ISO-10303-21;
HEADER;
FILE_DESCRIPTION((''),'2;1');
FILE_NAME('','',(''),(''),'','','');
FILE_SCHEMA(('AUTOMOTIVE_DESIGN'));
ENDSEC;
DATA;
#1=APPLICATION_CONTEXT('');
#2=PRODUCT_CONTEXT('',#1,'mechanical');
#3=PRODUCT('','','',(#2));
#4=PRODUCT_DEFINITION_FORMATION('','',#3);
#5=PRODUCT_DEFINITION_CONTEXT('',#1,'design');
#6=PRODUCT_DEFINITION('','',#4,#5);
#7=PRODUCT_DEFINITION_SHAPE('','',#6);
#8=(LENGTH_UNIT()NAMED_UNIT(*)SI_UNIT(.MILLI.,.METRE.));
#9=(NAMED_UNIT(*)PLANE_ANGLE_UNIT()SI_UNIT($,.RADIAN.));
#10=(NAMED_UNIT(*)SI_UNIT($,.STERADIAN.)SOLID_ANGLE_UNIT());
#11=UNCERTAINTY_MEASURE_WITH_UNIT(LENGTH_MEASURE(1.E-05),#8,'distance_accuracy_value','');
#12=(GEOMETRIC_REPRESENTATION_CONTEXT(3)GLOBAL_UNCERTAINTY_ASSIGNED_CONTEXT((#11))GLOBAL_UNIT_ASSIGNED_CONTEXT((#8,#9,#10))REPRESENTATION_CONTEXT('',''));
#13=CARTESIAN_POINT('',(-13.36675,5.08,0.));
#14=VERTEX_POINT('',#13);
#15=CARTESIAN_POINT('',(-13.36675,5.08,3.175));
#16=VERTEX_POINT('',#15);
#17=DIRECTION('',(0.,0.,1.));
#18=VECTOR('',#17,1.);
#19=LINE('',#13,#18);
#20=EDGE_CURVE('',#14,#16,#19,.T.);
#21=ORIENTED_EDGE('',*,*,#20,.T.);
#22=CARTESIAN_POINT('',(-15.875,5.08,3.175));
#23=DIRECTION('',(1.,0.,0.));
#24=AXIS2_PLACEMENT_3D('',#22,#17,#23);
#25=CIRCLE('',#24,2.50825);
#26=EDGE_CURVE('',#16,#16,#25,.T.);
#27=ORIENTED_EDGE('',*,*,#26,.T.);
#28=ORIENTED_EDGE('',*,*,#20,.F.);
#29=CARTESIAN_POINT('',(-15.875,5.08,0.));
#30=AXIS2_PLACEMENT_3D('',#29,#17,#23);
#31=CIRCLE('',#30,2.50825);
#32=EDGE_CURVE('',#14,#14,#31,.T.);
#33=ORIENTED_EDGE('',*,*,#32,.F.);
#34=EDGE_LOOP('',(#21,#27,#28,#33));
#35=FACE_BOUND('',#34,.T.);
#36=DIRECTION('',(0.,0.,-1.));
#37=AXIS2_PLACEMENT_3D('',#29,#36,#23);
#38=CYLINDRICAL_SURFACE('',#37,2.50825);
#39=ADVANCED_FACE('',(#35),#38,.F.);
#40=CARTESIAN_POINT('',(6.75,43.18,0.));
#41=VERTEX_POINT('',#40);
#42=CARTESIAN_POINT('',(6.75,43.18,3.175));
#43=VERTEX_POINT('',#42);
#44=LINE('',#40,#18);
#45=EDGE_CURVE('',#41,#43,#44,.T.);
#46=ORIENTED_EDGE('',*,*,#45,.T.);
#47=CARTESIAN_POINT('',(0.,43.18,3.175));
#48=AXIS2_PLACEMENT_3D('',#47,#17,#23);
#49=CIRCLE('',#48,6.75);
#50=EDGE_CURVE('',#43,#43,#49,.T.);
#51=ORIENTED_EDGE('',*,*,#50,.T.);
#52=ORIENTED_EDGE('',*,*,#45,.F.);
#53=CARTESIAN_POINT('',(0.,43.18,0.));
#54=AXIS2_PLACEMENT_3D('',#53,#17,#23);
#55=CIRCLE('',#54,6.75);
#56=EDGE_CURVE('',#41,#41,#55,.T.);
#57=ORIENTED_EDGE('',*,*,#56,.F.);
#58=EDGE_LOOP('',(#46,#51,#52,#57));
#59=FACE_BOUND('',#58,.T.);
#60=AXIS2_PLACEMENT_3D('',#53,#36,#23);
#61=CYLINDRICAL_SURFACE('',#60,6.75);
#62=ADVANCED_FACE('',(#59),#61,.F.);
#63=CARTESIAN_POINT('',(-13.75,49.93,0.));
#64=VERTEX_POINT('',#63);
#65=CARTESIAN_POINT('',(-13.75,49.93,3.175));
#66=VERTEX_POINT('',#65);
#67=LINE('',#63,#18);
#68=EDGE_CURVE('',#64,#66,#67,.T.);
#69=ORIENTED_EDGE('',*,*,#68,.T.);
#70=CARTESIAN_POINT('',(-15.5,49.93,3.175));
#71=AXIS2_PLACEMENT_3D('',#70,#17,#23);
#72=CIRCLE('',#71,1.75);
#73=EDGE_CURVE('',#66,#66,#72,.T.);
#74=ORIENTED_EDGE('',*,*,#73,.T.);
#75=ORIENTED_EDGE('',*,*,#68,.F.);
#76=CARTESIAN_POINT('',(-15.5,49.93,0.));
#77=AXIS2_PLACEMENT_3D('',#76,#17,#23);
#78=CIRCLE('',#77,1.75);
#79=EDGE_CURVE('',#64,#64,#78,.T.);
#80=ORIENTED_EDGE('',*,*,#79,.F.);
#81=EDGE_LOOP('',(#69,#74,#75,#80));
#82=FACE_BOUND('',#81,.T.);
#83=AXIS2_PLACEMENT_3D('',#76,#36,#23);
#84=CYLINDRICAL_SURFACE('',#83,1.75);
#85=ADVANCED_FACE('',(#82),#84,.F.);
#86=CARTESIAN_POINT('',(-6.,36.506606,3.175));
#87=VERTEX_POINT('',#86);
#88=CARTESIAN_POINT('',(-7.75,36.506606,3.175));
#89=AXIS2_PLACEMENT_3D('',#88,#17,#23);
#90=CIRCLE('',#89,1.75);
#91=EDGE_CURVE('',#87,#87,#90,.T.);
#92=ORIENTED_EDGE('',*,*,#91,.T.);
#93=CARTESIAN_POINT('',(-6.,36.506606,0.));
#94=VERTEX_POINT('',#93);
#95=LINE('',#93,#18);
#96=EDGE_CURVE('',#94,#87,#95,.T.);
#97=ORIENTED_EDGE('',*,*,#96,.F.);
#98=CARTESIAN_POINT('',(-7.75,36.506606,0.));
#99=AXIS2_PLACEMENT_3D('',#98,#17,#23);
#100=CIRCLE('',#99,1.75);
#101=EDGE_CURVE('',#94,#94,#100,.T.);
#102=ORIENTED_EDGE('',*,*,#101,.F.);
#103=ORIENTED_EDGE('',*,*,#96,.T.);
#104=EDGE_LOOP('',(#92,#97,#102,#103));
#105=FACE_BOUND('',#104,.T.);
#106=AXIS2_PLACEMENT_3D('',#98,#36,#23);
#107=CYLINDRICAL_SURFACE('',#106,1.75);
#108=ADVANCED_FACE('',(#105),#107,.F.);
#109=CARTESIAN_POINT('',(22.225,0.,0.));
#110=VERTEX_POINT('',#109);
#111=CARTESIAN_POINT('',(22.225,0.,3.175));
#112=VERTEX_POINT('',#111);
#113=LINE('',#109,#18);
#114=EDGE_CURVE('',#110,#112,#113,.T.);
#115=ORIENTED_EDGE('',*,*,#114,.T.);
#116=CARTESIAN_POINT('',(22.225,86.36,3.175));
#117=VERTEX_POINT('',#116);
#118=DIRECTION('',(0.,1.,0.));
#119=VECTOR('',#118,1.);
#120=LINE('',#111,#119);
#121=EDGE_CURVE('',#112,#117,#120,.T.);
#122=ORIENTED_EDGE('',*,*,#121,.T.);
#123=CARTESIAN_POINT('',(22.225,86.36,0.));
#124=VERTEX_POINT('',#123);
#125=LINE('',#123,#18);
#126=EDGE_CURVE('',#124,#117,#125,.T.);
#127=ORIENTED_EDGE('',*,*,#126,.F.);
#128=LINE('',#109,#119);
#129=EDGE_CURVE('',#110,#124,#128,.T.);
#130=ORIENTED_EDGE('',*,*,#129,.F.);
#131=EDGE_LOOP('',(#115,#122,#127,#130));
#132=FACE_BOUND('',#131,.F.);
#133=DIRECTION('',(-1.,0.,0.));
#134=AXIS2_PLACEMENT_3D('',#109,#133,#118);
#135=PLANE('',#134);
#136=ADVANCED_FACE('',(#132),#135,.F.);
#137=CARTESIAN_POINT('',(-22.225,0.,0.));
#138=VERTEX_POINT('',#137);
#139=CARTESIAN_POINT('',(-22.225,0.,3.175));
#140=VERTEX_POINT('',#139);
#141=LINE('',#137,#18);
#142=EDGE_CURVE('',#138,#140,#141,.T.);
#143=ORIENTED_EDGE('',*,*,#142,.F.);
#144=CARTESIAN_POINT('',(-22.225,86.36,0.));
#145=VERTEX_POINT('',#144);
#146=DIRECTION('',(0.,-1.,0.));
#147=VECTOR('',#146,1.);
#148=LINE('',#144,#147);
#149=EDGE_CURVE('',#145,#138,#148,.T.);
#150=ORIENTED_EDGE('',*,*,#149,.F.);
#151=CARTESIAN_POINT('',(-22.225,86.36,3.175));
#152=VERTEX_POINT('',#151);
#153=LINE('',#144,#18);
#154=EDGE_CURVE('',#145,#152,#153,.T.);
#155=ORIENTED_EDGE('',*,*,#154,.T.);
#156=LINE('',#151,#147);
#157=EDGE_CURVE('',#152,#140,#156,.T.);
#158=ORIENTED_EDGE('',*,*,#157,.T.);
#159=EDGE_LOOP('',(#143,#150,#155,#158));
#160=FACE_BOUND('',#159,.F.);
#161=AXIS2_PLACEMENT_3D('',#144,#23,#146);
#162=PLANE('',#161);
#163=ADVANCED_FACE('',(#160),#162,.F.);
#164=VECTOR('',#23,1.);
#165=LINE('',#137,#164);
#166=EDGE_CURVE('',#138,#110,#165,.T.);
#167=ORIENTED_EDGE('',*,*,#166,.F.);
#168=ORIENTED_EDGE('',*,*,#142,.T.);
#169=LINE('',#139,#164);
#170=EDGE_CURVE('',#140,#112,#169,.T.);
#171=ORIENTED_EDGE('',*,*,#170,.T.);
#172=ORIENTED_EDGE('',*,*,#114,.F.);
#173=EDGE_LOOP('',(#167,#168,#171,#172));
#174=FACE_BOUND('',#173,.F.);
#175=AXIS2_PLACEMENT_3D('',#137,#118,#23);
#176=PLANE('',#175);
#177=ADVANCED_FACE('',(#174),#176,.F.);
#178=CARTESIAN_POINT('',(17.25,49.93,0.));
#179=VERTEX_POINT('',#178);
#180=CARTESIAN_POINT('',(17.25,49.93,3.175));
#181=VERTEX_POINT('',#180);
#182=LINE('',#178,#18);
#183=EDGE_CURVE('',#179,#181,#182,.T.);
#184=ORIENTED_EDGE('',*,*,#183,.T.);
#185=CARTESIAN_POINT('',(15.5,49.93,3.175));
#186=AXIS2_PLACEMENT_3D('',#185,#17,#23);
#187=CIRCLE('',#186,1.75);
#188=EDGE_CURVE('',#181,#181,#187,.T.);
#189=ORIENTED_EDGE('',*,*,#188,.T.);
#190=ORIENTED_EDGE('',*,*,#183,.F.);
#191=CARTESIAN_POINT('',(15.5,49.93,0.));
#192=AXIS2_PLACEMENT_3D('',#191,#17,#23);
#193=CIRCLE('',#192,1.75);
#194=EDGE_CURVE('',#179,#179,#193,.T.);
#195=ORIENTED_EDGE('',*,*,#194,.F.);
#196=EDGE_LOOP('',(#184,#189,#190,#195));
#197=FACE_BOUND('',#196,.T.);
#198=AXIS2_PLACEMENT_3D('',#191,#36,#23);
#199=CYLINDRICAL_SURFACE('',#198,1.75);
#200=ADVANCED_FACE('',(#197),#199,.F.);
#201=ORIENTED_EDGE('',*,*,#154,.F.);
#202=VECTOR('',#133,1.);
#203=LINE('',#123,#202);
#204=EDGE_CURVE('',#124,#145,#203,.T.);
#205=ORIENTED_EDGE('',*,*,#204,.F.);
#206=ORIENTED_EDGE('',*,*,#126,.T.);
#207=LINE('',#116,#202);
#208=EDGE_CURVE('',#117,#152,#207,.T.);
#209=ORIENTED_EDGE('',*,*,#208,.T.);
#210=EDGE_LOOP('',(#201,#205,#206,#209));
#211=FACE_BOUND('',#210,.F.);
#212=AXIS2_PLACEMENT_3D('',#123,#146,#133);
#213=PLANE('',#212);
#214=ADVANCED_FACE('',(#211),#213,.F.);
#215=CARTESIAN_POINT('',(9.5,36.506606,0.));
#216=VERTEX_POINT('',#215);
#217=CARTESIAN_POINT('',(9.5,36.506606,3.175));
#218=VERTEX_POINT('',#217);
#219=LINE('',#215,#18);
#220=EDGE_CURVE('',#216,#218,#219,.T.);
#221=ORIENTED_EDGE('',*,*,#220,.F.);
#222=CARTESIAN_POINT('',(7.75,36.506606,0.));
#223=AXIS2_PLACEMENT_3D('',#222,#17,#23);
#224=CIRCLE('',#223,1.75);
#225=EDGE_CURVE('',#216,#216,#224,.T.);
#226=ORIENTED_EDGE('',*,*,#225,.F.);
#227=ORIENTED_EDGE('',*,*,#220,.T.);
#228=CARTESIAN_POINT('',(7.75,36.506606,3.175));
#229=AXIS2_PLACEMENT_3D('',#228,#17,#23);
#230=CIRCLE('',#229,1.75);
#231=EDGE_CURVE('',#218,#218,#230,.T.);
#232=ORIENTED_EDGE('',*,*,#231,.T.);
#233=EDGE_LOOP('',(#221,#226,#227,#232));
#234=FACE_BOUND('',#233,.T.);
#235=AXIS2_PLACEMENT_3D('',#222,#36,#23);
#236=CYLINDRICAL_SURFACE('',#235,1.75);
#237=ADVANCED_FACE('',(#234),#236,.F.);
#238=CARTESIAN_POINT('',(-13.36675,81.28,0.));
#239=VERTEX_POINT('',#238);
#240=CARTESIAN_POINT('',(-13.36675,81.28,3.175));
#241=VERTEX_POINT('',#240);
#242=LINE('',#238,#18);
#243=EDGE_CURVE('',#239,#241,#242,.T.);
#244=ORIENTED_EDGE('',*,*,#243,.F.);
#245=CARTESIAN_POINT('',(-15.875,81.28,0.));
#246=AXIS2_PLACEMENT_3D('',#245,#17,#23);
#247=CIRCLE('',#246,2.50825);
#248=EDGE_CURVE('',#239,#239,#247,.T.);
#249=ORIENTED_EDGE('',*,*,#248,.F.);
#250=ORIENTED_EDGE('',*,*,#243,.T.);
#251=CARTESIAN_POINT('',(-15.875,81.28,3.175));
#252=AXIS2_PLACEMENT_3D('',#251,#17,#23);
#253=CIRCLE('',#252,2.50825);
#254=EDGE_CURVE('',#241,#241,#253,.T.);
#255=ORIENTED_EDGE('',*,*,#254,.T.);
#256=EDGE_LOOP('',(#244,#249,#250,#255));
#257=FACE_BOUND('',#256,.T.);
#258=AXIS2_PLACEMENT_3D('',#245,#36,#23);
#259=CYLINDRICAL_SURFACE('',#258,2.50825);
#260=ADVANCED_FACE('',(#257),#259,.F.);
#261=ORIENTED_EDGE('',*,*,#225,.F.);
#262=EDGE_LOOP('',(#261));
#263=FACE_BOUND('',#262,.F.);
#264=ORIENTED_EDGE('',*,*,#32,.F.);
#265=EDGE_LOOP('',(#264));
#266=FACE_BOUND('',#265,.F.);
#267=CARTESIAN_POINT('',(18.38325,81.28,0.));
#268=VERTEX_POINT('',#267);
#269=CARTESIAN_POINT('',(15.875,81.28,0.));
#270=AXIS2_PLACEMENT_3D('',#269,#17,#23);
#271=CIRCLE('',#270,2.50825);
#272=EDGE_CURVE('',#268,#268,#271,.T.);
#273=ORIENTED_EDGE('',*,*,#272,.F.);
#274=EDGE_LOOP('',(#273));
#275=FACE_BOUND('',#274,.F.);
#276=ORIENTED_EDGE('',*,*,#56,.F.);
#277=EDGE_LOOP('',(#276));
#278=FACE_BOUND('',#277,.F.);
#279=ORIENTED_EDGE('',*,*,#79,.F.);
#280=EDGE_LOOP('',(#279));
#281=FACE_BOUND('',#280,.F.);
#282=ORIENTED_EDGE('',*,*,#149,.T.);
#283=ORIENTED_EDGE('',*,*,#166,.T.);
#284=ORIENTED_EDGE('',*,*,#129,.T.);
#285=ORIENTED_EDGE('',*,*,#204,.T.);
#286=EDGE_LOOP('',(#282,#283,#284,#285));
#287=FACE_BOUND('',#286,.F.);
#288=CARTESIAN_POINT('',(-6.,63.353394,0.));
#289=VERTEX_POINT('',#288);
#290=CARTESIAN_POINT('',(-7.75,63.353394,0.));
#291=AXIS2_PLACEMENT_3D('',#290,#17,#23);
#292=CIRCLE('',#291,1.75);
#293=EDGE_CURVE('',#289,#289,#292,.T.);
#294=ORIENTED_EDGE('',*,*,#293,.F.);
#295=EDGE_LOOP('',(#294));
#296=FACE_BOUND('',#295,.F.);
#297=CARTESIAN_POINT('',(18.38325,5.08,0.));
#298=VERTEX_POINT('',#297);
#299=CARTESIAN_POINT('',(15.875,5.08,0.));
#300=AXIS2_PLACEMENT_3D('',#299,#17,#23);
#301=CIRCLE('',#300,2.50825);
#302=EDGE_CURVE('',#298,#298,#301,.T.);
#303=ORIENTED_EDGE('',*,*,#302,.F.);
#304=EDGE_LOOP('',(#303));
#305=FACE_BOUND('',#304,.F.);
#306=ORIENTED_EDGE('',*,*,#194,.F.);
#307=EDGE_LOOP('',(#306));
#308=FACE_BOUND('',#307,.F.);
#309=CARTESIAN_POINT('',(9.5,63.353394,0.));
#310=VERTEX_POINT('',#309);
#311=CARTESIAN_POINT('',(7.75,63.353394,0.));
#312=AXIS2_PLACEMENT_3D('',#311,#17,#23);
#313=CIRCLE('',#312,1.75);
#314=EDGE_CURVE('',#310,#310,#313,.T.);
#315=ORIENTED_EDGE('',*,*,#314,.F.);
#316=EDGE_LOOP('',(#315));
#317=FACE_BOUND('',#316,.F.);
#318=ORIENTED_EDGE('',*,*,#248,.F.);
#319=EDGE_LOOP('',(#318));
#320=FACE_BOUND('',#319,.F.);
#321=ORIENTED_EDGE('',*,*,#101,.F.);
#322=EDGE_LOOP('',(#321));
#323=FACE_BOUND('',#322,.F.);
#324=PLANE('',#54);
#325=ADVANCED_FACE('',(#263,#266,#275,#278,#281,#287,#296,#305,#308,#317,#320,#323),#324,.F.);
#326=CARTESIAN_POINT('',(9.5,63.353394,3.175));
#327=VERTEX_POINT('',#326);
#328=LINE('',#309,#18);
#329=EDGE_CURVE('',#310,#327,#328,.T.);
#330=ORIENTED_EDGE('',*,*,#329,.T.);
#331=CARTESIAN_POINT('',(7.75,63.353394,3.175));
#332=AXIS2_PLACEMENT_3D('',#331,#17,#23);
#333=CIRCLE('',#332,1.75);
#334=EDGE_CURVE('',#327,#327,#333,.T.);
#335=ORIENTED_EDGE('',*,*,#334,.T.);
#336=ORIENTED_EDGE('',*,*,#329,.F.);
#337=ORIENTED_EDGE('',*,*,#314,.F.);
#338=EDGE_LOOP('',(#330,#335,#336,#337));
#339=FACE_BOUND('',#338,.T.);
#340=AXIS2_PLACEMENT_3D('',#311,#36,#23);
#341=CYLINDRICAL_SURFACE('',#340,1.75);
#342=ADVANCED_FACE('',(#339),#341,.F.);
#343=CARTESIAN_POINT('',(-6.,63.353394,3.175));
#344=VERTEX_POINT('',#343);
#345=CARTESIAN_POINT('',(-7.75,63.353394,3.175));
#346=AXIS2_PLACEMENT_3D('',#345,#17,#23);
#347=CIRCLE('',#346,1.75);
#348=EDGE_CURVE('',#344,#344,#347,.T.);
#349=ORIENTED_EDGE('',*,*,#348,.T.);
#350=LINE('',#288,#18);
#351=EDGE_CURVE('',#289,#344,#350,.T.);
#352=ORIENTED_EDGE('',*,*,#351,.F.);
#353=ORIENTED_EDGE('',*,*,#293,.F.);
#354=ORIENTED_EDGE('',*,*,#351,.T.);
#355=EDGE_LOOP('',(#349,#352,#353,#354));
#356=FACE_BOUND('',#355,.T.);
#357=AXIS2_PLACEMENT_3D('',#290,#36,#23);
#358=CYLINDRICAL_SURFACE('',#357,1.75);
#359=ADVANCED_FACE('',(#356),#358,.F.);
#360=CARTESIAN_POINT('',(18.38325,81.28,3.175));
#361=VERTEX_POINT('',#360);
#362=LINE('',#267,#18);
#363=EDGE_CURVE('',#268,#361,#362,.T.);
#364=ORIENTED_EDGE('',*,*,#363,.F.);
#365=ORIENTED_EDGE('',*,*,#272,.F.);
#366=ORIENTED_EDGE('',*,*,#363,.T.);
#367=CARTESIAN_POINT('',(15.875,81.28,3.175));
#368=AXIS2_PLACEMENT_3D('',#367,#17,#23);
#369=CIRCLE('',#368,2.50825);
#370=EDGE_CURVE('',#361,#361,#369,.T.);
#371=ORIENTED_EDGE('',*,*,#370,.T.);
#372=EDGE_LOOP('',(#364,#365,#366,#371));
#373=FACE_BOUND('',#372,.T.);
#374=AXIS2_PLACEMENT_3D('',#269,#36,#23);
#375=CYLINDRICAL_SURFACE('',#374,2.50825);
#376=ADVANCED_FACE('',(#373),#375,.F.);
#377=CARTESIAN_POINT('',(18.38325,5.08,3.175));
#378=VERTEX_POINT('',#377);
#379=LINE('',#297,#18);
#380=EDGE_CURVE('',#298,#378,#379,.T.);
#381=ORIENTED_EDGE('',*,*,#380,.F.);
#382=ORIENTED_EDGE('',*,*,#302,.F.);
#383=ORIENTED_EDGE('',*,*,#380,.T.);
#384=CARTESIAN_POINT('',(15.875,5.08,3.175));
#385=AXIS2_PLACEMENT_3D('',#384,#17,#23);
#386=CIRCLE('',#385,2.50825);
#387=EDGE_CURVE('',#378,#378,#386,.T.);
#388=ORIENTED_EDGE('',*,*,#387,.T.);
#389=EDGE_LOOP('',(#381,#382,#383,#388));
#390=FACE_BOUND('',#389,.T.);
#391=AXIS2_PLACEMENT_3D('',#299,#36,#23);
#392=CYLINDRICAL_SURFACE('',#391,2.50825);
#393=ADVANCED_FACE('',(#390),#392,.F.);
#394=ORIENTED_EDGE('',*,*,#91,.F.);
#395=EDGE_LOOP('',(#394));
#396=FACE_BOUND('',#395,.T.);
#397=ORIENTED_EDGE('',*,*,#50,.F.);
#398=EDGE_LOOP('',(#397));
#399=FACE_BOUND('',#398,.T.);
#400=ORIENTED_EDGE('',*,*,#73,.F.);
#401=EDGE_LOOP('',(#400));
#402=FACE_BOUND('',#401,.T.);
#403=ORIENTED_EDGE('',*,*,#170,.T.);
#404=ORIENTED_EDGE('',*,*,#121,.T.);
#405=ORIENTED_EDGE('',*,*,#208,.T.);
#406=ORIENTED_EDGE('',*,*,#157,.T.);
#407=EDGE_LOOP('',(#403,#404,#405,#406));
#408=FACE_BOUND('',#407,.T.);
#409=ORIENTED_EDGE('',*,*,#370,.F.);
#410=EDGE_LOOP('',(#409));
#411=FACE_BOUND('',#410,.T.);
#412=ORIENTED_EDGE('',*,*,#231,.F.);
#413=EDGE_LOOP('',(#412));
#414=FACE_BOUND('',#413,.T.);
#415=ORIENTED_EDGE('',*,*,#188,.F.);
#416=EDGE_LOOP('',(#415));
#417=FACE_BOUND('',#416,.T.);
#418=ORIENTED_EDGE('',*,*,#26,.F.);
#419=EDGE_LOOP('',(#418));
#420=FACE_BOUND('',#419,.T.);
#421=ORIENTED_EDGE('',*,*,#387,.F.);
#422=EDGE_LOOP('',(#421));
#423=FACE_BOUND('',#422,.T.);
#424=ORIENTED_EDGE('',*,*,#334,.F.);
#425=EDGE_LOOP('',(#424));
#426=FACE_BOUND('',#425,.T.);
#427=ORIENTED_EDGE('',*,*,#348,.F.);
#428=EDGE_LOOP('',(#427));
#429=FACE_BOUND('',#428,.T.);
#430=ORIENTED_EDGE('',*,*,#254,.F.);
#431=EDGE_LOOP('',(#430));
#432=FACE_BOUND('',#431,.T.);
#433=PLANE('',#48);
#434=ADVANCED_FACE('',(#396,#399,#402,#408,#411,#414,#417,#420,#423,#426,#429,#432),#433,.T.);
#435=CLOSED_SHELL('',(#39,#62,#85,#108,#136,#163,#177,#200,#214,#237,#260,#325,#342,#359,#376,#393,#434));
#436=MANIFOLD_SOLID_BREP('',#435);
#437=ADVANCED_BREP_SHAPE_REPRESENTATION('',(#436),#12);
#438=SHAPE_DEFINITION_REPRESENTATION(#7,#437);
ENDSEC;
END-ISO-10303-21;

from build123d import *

# Parameters (mm, degrees)
SKETCH_1_R      = 1.75
SKETCH_1_R_2    = 6.75
SKETCH_1_R_3    = 2.50825
EXTRUDE_1_DEPTH = 3.175


with BuildPart() as part:
    # Эскиз1 → Бобышка-Вытянуть1 (new body)
    with BuildSketch(Plane.XY):
        Polygon((22.225, 86.36), (-22.225, 86.36), (-22.225, 35.56), (-22.225, 0), (22.225, 0), (22.225, 35.56), align=None)
        with Locations((-7.75, 63.353393759)):
            Circle(SKETCH_1_R, mode=Mode.SUBTRACT)
        with Locations((-15.5, 49.93)):
            Circle(SKETCH_1_R, mode=Mode.SUBTRACT)
        with Locations((-7.75, 36.506606241)):
            Circle(SKETCH_1_R, mode=Mode.SUBTRACT)
        with Locations((7.75, 36.506606241)):
            Circle(SKETCH_1_R, mode=Mode.SUBTRACT)
        with Locations((15.5, 49.93)):
            Circle(SKETCH_1_R, mode=Mode.SUBTRACT)
        with Locations((7.75, 63.353393759)):
            Circle(SKETCH_1_R, mode=Mode.SUBTRACT)
        with Locations((0, 43.18)):
            Circle(SKETCH_1_R_2, mode=Mode.SUBTRACT)
        with Locations((15.875, 81.28)):
            Circle(SKETCH_1_R_3, mode=Mode.SUBTRACT)
        with Locations((-15.875, 81.28)):
            Circle(SKETCH_1_R_3, mode=Mode.SUBTRACT)
        with Locations((15.875, 5.08)):
            Circle(SKETCH_1_R_3, mode=Mode.SUBTRACT)
        with Locations((-15.875, 5.08)):
            Circle(SKETCH_1_R_3, mode=Mode.SUBTRACT)
    extrude(amount=EXTRUDE_1_DEPTH)


solid = part.part
